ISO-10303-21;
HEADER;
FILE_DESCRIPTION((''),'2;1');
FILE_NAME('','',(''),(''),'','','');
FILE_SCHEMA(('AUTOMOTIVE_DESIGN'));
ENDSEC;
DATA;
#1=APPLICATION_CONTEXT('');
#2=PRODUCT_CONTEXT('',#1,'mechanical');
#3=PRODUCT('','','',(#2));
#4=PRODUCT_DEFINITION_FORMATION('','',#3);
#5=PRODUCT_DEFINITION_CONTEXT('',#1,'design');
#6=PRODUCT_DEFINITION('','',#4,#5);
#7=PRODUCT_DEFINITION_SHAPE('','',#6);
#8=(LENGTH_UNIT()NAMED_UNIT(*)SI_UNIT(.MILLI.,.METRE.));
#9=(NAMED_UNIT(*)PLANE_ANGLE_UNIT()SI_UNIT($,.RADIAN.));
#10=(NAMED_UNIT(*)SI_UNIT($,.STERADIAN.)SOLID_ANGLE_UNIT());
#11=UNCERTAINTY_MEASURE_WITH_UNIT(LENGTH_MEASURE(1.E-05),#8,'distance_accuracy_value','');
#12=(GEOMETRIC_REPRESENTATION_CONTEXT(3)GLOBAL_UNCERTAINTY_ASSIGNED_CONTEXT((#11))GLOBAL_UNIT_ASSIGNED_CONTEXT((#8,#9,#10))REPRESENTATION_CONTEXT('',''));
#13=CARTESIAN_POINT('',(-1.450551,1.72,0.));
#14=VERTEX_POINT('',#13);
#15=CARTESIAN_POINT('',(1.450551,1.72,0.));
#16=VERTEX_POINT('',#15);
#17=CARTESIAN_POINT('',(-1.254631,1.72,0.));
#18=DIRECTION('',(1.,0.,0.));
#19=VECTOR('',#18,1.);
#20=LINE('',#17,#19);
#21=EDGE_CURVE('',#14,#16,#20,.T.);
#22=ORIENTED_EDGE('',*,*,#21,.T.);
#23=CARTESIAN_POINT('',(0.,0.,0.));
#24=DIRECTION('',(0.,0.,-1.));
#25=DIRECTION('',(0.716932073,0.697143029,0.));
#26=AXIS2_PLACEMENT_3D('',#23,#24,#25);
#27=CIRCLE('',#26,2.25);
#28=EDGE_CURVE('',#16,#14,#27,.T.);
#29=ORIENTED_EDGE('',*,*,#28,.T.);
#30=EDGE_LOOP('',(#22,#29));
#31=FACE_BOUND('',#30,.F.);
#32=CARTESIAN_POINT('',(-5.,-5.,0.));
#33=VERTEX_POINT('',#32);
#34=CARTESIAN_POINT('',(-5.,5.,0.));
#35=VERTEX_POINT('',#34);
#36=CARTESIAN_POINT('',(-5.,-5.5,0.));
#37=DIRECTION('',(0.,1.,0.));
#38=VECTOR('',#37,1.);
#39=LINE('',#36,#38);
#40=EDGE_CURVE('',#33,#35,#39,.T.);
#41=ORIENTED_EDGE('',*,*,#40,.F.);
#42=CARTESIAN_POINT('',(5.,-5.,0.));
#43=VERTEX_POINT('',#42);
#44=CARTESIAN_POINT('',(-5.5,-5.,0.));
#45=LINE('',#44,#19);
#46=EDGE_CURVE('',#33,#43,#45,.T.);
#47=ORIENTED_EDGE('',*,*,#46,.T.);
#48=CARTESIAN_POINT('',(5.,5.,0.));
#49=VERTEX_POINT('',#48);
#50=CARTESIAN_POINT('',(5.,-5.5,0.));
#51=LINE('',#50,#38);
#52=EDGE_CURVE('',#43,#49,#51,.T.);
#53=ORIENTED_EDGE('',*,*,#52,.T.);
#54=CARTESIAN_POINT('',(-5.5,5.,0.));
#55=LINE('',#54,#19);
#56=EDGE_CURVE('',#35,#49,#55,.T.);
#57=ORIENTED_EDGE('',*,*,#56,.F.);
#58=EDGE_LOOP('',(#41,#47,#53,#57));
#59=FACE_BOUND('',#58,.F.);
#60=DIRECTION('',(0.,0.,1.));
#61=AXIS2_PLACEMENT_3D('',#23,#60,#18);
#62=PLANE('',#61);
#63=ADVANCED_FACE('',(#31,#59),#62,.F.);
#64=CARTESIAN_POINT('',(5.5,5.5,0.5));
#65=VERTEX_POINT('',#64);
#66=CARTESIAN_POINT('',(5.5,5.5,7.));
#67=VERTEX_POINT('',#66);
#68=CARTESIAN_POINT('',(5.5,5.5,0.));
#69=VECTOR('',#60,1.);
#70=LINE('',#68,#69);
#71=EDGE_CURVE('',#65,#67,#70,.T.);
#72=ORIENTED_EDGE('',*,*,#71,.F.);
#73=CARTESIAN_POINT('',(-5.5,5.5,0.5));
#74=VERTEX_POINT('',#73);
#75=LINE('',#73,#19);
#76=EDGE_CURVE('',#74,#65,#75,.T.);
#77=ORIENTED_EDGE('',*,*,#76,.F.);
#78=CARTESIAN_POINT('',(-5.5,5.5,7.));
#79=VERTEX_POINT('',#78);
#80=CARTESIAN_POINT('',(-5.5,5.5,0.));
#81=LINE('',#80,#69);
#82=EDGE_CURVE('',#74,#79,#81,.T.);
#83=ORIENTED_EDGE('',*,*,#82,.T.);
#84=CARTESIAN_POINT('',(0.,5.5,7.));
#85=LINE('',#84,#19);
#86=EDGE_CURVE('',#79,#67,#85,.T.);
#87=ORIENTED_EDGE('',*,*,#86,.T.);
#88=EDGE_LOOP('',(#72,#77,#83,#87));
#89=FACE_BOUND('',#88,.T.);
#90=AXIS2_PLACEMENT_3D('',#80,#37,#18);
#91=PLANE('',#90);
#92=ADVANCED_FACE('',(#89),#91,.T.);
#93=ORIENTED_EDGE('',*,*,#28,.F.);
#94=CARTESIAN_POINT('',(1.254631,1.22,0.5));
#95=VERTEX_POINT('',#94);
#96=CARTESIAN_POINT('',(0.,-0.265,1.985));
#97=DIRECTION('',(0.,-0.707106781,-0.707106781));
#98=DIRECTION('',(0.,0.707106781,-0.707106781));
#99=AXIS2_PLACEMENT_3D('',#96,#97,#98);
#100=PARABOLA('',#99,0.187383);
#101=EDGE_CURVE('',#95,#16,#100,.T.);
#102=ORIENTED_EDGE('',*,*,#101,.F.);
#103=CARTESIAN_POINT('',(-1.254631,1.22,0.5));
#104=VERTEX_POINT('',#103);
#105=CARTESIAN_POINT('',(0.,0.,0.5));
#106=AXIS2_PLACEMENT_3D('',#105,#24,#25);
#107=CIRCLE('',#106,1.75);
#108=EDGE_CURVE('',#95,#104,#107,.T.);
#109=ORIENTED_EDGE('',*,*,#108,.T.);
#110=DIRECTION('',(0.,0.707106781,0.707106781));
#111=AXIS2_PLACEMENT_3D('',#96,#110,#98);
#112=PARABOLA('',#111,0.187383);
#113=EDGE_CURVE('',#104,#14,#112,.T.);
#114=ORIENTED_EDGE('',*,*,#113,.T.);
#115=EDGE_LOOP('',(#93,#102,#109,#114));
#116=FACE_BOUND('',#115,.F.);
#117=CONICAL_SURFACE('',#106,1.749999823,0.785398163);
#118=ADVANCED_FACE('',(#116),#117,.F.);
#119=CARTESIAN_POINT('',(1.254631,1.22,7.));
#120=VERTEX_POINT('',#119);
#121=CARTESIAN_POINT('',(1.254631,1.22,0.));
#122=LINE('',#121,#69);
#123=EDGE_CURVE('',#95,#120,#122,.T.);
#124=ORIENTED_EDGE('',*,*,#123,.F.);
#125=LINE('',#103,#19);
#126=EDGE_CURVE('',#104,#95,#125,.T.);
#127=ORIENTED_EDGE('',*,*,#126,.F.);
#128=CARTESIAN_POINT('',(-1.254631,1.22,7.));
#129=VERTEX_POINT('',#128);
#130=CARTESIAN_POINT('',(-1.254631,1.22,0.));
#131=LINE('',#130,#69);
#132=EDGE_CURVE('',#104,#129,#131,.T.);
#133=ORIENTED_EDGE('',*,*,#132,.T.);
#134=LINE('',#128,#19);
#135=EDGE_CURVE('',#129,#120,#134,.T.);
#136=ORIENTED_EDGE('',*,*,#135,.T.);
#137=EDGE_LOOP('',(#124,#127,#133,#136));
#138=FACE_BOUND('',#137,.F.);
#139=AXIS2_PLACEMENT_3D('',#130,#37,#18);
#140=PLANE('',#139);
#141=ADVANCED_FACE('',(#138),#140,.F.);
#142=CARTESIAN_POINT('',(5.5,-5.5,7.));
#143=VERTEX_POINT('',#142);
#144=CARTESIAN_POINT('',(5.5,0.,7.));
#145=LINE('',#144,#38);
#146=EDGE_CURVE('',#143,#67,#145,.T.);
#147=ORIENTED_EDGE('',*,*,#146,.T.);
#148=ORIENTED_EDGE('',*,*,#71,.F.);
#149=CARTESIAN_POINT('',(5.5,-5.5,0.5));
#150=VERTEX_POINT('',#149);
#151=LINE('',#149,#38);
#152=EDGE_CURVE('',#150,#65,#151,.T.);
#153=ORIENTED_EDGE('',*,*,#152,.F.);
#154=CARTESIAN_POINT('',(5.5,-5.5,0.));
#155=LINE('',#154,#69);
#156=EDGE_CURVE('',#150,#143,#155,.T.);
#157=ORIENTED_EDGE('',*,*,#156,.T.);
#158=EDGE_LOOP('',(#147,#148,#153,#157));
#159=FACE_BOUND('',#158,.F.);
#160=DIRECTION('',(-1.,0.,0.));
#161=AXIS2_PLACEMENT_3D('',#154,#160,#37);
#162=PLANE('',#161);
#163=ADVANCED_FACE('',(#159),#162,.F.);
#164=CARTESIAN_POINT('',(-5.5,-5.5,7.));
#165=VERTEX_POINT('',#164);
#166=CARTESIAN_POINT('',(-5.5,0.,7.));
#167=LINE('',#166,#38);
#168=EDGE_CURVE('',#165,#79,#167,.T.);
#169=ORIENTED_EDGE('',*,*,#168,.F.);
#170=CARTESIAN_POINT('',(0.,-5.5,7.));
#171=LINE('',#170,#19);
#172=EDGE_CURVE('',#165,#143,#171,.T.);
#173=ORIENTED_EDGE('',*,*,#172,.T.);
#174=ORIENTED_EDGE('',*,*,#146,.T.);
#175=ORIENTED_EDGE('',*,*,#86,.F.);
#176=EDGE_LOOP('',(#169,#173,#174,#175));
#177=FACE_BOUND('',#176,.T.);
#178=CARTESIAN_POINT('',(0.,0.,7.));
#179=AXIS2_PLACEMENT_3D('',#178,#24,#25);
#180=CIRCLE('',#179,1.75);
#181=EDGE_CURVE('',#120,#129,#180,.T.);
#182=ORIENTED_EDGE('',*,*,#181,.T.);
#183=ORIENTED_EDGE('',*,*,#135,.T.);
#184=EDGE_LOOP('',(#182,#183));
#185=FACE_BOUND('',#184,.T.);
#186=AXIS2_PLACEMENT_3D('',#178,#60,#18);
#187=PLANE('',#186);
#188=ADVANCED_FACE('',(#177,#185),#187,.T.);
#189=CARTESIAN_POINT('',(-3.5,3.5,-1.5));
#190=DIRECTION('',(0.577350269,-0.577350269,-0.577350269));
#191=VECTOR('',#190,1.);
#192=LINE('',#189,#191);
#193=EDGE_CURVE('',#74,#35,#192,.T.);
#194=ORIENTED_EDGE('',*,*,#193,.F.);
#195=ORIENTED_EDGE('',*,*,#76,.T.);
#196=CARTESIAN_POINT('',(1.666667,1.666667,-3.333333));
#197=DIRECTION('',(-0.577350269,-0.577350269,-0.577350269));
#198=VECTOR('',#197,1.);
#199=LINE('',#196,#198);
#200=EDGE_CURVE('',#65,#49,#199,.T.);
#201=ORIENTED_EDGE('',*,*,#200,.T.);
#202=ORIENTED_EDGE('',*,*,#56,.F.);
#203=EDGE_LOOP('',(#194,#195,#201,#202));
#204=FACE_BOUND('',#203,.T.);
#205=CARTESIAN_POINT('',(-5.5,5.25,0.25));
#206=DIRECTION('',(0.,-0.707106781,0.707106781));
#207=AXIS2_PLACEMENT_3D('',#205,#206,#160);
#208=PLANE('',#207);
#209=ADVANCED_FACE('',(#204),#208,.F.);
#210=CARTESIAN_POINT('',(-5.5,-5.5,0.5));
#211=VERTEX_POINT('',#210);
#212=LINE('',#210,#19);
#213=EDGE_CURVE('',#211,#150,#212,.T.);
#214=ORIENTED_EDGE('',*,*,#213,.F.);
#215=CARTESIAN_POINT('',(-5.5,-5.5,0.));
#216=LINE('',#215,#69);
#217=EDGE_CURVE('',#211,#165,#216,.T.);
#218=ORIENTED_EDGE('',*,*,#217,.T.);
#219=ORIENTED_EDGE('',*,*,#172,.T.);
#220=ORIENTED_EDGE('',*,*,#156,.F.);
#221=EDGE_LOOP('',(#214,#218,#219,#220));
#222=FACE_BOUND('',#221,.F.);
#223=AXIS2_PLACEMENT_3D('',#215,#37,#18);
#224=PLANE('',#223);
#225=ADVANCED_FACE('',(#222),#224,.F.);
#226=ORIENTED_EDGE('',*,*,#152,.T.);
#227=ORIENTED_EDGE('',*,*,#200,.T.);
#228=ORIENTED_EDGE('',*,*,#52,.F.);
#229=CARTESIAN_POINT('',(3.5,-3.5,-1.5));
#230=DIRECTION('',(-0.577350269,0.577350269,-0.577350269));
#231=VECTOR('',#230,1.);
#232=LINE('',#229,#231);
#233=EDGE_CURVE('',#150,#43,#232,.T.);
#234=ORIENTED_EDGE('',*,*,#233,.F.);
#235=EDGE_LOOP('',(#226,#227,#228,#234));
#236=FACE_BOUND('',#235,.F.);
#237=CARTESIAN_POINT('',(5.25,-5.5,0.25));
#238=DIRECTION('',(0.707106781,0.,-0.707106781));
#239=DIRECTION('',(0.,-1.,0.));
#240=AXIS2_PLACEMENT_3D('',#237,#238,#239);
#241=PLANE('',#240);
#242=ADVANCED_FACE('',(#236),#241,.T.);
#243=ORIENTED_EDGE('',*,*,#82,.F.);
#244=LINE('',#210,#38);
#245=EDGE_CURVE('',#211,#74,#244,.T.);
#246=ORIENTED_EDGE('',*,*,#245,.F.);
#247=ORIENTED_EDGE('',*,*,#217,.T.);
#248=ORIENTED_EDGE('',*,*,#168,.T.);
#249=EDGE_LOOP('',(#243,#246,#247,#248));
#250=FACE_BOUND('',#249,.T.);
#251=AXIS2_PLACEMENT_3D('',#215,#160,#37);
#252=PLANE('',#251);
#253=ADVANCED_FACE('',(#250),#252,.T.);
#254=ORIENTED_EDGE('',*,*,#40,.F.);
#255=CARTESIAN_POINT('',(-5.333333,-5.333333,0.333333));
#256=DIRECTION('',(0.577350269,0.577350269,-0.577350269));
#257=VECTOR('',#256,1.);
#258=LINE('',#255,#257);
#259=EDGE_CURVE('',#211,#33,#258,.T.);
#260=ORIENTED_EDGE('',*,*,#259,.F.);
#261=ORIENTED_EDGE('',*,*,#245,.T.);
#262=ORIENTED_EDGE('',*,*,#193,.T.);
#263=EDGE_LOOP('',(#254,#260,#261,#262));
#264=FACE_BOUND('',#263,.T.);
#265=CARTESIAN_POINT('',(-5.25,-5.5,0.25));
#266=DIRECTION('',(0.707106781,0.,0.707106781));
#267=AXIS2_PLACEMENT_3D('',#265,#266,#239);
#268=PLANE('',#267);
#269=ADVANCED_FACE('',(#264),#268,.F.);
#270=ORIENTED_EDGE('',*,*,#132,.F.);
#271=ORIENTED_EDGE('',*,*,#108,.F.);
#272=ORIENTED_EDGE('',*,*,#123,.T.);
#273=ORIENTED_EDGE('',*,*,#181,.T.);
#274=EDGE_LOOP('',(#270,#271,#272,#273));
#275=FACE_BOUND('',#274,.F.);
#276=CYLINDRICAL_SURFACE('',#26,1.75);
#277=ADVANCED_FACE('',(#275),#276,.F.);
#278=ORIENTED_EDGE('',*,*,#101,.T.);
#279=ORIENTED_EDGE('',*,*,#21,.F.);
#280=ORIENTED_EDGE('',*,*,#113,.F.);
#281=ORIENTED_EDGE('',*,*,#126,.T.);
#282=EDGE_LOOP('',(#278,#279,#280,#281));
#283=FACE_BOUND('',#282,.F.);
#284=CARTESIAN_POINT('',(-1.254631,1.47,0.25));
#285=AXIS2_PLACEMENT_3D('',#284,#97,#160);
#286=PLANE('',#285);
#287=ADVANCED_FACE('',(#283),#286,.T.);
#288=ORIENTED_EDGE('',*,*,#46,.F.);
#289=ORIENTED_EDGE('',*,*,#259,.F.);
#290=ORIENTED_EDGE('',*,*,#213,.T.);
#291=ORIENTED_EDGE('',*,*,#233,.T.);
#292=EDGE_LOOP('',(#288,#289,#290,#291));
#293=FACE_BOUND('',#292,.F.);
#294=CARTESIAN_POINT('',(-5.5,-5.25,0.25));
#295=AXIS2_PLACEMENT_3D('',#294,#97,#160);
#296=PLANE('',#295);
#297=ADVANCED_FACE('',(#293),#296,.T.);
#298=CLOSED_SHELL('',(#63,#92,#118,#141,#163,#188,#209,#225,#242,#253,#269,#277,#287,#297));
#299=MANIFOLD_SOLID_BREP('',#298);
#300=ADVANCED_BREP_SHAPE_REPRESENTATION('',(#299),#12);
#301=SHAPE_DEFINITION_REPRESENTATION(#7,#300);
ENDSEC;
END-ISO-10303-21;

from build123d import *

# Parameters (mm, degrees)
F0_W     = 11
F0_H     = 11
F1_DEPTH = 7
F2_SIZE  = 0.5


with BuildPart() as f1:
    # F0 (on Top) → F1 (new body)
    with BuildSketch(Plane.XY):
        Rectangle(F0_W, F0_H)
        with BuildLine():
            ThreePointArc((1.254631, 1.22), (0, -1.75), (-1.254631, 1.22))
            Line((-1.254631, 1.22), (1.254631, 1.22))
        make_face(mode=Mode.SUBTRACT)
    extrude(amount=F1_DEPTH)

    # F2
    f2_edges = [f1.edges().sort_by_distance(p)[0] for p in [
        (5.5, 0, 0),
        (0, 5.5, 0),
        (-5.5, 0, 0),
        (0, -5.5, 0),
        (0, 1.22, 0),
        (0, -1.75, 0),
    ]]
    chamfer(f2_edges, length=F2_SIZE)


solid = f1.part
